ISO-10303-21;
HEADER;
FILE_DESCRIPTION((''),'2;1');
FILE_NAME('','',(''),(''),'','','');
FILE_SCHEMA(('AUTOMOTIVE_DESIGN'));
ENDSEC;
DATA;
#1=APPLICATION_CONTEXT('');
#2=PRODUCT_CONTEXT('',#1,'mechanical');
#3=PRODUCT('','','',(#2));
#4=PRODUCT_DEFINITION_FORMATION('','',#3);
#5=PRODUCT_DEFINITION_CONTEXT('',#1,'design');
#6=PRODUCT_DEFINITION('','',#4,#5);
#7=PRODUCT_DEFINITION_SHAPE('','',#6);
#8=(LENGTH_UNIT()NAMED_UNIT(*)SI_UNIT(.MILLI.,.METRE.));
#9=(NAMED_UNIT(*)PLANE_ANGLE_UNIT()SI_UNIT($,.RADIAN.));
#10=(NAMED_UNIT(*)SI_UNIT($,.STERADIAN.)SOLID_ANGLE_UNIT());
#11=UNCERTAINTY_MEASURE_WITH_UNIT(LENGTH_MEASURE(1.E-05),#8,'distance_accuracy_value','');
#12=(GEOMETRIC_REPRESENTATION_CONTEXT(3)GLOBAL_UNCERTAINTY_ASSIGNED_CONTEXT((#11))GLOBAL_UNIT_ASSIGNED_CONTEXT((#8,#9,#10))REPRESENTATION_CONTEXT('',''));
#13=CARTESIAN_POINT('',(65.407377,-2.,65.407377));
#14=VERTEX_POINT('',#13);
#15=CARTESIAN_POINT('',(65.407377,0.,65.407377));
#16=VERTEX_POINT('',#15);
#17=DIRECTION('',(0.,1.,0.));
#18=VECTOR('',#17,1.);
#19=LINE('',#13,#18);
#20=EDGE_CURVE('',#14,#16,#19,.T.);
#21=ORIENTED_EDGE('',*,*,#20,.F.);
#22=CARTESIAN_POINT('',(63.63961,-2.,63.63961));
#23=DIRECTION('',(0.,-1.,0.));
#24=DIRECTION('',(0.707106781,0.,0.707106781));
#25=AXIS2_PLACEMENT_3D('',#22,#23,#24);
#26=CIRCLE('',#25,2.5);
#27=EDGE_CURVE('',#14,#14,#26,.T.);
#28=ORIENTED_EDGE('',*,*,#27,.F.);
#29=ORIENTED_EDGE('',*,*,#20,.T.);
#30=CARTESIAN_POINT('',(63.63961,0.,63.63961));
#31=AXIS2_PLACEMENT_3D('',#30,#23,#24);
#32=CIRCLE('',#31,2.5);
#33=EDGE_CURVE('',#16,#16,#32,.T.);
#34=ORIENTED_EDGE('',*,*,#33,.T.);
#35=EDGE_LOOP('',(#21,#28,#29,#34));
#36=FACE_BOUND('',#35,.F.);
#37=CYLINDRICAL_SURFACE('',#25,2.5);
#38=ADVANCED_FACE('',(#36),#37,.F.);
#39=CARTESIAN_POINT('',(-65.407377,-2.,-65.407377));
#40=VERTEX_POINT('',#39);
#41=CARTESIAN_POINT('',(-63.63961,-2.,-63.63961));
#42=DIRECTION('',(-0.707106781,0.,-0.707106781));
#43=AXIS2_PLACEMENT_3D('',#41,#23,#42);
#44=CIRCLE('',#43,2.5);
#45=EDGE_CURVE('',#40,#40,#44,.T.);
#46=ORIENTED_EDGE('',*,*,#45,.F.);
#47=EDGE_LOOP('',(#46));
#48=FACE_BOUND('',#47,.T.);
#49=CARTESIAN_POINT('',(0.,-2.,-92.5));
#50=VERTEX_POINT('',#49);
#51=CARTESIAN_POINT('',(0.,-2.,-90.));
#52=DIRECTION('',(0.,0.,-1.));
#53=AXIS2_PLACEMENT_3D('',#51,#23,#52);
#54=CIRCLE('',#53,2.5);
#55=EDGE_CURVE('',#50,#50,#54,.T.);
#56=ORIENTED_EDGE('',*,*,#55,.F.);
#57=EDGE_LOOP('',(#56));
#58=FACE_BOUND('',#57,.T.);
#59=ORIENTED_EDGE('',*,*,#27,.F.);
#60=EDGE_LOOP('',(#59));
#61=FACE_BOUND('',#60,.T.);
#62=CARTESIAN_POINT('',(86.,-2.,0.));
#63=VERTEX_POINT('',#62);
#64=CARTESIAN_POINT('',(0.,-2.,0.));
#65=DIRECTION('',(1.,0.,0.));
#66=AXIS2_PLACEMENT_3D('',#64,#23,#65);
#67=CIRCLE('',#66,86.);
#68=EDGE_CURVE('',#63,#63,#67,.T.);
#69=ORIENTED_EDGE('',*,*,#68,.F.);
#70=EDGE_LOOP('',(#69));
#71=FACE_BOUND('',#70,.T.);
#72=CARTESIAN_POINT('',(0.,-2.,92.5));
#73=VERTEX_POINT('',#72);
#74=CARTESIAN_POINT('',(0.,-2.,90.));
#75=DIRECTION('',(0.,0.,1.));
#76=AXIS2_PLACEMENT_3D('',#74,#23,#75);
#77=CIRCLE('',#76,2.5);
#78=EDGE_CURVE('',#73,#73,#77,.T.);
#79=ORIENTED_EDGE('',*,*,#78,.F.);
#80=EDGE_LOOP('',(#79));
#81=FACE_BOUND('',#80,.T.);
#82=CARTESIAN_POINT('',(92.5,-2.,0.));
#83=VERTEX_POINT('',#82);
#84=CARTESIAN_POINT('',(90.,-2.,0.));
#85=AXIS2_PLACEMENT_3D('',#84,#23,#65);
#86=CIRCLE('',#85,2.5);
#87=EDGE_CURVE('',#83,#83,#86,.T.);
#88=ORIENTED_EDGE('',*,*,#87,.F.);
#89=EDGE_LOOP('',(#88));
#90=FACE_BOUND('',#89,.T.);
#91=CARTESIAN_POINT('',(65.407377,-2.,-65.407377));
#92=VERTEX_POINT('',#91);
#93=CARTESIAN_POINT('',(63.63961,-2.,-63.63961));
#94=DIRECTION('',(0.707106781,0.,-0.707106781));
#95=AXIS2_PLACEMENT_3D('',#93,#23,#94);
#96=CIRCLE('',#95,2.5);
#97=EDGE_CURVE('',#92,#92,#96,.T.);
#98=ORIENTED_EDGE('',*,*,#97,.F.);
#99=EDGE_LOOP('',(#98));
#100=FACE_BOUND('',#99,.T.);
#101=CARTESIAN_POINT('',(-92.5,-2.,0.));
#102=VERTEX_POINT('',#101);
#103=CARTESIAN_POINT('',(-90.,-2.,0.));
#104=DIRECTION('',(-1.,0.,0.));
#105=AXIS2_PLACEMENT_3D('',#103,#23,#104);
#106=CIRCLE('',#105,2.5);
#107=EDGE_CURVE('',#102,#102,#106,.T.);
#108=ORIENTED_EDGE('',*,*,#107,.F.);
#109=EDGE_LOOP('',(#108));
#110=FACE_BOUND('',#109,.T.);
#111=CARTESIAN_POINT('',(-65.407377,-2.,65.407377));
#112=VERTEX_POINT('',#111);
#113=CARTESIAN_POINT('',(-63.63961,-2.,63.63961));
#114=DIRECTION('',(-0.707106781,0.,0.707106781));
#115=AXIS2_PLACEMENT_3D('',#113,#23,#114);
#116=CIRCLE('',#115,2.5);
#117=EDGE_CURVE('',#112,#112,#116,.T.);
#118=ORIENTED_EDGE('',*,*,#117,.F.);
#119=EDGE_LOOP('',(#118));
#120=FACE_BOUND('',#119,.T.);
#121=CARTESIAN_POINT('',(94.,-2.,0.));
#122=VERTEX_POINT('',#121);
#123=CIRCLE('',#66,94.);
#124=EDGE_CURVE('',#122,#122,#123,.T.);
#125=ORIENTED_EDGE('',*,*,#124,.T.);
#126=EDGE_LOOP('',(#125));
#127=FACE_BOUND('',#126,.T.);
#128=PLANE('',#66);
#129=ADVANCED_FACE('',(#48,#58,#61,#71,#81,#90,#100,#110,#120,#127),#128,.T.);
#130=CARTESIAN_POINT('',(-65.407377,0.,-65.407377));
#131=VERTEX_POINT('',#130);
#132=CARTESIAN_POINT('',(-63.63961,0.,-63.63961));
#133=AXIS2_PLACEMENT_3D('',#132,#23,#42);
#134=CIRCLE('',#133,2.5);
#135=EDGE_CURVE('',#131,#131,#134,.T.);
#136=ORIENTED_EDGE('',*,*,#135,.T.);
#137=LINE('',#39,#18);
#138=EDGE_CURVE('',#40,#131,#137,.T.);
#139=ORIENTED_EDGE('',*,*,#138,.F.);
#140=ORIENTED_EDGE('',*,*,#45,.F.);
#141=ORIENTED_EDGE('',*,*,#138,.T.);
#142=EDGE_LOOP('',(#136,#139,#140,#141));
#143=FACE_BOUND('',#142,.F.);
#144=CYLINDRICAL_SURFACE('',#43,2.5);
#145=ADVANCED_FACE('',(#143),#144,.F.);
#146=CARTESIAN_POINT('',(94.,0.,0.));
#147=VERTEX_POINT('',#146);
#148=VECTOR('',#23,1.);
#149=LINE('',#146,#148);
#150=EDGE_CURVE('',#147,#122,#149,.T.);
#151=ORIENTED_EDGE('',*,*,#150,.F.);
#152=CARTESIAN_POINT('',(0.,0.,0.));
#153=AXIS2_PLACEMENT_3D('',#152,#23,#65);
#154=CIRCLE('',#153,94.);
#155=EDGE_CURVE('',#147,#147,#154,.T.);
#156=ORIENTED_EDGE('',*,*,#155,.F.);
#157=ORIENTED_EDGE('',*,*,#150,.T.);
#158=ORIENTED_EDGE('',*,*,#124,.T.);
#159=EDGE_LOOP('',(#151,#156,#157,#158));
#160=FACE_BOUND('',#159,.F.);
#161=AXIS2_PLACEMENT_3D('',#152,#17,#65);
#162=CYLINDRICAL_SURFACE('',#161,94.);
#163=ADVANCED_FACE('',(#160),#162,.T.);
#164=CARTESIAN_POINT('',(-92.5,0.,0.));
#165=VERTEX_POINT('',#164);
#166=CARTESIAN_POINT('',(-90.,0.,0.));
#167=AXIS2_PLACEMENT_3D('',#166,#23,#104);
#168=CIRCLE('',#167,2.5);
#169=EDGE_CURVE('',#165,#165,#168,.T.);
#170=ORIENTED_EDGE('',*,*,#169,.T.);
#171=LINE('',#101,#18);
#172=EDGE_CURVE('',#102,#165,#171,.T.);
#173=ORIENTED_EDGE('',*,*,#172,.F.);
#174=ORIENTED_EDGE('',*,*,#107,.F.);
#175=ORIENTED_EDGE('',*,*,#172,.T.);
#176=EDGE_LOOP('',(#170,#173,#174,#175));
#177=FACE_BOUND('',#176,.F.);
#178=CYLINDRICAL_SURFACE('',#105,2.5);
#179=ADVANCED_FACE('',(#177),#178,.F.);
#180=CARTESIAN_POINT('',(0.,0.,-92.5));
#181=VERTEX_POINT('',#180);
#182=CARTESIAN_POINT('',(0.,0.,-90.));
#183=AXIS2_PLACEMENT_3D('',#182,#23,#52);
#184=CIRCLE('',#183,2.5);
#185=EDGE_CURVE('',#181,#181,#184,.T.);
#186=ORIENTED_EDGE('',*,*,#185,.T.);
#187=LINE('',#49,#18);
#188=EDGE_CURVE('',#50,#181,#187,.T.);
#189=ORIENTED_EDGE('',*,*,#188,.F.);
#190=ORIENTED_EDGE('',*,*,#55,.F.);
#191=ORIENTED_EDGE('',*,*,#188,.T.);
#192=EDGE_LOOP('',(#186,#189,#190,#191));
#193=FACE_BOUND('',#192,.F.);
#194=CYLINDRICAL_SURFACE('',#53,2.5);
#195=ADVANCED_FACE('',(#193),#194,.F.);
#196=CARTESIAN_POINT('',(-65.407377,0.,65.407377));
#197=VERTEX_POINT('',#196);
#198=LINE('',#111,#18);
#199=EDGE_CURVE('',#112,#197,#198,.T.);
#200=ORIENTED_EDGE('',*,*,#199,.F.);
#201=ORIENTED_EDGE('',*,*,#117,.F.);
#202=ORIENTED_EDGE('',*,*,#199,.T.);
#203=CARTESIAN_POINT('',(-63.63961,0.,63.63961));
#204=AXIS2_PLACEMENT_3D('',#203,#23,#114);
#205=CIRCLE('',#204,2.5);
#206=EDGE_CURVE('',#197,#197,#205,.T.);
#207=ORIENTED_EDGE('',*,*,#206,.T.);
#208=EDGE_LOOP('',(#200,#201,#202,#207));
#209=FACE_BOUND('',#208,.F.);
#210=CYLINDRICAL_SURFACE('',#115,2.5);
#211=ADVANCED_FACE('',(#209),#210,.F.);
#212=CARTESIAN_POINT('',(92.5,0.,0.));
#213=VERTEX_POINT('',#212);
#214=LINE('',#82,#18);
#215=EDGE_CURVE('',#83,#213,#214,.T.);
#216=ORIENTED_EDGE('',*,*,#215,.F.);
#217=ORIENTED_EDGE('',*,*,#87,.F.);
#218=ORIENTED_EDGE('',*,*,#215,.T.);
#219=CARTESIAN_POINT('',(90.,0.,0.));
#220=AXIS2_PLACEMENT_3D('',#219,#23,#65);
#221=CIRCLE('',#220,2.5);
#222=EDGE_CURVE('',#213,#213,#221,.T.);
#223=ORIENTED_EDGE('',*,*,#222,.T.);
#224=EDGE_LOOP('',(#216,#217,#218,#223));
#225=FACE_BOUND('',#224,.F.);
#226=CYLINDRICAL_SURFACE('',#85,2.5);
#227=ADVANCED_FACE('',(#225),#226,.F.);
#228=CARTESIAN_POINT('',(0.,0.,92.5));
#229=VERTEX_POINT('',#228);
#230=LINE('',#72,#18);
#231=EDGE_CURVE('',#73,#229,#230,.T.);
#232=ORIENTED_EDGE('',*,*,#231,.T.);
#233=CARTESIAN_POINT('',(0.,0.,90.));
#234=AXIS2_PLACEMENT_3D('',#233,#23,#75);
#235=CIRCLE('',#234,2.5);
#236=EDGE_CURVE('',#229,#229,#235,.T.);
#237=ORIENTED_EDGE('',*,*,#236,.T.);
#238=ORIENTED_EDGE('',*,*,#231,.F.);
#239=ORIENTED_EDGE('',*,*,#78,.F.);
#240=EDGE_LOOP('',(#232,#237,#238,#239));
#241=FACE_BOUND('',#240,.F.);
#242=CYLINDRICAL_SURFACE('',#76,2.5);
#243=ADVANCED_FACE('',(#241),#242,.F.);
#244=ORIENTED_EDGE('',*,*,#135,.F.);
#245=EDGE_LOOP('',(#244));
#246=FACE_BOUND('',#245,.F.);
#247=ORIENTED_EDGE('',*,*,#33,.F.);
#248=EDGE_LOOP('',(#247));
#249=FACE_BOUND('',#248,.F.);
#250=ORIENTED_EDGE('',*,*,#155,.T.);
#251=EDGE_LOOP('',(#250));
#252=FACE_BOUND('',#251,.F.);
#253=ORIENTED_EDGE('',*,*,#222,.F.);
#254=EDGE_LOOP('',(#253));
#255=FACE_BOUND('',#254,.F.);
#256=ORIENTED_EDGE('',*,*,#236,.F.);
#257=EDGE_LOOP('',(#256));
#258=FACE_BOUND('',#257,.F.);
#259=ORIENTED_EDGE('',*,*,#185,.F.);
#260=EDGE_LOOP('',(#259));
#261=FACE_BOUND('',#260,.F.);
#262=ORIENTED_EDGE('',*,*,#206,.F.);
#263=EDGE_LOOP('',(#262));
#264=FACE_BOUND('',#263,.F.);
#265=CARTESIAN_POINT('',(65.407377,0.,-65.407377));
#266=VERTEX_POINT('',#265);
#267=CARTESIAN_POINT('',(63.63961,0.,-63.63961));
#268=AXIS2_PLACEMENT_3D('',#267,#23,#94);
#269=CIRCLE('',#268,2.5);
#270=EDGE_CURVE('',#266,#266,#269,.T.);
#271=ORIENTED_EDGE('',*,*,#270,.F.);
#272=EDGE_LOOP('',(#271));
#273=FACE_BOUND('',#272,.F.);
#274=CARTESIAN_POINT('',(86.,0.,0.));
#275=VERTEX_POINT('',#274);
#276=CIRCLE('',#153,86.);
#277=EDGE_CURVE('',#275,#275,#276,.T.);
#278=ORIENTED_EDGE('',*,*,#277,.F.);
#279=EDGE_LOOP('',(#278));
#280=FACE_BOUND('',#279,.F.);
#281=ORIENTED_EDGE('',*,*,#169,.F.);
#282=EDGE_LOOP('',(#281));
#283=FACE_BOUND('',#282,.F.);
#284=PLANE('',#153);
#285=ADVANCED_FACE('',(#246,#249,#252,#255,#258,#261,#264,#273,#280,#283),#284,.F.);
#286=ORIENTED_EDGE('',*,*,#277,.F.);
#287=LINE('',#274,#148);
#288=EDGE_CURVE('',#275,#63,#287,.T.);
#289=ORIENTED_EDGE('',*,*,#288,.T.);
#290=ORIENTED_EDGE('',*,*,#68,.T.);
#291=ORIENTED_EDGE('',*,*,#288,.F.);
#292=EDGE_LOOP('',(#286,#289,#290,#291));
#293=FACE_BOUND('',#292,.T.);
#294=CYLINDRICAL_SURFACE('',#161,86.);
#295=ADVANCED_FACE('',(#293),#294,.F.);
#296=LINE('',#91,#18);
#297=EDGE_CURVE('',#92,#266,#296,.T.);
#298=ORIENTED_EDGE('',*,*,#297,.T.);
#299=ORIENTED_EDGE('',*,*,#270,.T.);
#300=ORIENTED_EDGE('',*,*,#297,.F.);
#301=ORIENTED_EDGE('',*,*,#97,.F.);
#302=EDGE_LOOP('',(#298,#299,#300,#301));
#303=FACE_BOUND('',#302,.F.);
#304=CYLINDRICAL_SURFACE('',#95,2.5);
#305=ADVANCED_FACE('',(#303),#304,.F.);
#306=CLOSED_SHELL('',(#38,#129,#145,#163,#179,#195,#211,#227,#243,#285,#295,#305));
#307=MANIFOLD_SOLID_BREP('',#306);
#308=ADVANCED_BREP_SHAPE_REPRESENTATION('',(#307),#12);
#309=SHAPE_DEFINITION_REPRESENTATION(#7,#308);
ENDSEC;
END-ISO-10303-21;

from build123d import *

# Parameters (mm, degrees)
SKETCH004_R        = 94
SKETCH004_R_2      = 86
PAD005_DEPTH       = 2
SKETCH005_R        = 2.5
POCKET001_DEPTH    = 5
POLARPATTERN_COUNT = 8


with BuildPart() as part:
    # Sketch004 (on ShapeBinder) → Pad005 (new body)
    with BuildSketch(Plane.XZ):
        Circle(SKETCH004_R)
        Circle(SKETCH004_R_2, mode=Mode.SUBTRACT)
    extrude(amount=PAD005_DEPTH)

    # Sketch005 (on Face4 of Pad005) → Pocket001 (cut)
    with BuildSketch(Plane.XZ.offset(2)):
        with Locations((90, 0)):
            Circle(SKETCH005_R)
    pocket001 = extrude(amount=-POCKET001_DEPTH, mode=Mode.SUBTRACT)

    # PolarPattern: Pocket001 ×8 about axis
    polarpattern_axis = Axis((0, -2, 0), (0, -1, 0))
    for i in range(1, POLARPATTERN_COUNT):
        add(pocket001.rotate(polarpattern_axis, i * 360 / POLARPATTERN_COUNT), mode=Mode.SUBTRACT)


solid = part.part
